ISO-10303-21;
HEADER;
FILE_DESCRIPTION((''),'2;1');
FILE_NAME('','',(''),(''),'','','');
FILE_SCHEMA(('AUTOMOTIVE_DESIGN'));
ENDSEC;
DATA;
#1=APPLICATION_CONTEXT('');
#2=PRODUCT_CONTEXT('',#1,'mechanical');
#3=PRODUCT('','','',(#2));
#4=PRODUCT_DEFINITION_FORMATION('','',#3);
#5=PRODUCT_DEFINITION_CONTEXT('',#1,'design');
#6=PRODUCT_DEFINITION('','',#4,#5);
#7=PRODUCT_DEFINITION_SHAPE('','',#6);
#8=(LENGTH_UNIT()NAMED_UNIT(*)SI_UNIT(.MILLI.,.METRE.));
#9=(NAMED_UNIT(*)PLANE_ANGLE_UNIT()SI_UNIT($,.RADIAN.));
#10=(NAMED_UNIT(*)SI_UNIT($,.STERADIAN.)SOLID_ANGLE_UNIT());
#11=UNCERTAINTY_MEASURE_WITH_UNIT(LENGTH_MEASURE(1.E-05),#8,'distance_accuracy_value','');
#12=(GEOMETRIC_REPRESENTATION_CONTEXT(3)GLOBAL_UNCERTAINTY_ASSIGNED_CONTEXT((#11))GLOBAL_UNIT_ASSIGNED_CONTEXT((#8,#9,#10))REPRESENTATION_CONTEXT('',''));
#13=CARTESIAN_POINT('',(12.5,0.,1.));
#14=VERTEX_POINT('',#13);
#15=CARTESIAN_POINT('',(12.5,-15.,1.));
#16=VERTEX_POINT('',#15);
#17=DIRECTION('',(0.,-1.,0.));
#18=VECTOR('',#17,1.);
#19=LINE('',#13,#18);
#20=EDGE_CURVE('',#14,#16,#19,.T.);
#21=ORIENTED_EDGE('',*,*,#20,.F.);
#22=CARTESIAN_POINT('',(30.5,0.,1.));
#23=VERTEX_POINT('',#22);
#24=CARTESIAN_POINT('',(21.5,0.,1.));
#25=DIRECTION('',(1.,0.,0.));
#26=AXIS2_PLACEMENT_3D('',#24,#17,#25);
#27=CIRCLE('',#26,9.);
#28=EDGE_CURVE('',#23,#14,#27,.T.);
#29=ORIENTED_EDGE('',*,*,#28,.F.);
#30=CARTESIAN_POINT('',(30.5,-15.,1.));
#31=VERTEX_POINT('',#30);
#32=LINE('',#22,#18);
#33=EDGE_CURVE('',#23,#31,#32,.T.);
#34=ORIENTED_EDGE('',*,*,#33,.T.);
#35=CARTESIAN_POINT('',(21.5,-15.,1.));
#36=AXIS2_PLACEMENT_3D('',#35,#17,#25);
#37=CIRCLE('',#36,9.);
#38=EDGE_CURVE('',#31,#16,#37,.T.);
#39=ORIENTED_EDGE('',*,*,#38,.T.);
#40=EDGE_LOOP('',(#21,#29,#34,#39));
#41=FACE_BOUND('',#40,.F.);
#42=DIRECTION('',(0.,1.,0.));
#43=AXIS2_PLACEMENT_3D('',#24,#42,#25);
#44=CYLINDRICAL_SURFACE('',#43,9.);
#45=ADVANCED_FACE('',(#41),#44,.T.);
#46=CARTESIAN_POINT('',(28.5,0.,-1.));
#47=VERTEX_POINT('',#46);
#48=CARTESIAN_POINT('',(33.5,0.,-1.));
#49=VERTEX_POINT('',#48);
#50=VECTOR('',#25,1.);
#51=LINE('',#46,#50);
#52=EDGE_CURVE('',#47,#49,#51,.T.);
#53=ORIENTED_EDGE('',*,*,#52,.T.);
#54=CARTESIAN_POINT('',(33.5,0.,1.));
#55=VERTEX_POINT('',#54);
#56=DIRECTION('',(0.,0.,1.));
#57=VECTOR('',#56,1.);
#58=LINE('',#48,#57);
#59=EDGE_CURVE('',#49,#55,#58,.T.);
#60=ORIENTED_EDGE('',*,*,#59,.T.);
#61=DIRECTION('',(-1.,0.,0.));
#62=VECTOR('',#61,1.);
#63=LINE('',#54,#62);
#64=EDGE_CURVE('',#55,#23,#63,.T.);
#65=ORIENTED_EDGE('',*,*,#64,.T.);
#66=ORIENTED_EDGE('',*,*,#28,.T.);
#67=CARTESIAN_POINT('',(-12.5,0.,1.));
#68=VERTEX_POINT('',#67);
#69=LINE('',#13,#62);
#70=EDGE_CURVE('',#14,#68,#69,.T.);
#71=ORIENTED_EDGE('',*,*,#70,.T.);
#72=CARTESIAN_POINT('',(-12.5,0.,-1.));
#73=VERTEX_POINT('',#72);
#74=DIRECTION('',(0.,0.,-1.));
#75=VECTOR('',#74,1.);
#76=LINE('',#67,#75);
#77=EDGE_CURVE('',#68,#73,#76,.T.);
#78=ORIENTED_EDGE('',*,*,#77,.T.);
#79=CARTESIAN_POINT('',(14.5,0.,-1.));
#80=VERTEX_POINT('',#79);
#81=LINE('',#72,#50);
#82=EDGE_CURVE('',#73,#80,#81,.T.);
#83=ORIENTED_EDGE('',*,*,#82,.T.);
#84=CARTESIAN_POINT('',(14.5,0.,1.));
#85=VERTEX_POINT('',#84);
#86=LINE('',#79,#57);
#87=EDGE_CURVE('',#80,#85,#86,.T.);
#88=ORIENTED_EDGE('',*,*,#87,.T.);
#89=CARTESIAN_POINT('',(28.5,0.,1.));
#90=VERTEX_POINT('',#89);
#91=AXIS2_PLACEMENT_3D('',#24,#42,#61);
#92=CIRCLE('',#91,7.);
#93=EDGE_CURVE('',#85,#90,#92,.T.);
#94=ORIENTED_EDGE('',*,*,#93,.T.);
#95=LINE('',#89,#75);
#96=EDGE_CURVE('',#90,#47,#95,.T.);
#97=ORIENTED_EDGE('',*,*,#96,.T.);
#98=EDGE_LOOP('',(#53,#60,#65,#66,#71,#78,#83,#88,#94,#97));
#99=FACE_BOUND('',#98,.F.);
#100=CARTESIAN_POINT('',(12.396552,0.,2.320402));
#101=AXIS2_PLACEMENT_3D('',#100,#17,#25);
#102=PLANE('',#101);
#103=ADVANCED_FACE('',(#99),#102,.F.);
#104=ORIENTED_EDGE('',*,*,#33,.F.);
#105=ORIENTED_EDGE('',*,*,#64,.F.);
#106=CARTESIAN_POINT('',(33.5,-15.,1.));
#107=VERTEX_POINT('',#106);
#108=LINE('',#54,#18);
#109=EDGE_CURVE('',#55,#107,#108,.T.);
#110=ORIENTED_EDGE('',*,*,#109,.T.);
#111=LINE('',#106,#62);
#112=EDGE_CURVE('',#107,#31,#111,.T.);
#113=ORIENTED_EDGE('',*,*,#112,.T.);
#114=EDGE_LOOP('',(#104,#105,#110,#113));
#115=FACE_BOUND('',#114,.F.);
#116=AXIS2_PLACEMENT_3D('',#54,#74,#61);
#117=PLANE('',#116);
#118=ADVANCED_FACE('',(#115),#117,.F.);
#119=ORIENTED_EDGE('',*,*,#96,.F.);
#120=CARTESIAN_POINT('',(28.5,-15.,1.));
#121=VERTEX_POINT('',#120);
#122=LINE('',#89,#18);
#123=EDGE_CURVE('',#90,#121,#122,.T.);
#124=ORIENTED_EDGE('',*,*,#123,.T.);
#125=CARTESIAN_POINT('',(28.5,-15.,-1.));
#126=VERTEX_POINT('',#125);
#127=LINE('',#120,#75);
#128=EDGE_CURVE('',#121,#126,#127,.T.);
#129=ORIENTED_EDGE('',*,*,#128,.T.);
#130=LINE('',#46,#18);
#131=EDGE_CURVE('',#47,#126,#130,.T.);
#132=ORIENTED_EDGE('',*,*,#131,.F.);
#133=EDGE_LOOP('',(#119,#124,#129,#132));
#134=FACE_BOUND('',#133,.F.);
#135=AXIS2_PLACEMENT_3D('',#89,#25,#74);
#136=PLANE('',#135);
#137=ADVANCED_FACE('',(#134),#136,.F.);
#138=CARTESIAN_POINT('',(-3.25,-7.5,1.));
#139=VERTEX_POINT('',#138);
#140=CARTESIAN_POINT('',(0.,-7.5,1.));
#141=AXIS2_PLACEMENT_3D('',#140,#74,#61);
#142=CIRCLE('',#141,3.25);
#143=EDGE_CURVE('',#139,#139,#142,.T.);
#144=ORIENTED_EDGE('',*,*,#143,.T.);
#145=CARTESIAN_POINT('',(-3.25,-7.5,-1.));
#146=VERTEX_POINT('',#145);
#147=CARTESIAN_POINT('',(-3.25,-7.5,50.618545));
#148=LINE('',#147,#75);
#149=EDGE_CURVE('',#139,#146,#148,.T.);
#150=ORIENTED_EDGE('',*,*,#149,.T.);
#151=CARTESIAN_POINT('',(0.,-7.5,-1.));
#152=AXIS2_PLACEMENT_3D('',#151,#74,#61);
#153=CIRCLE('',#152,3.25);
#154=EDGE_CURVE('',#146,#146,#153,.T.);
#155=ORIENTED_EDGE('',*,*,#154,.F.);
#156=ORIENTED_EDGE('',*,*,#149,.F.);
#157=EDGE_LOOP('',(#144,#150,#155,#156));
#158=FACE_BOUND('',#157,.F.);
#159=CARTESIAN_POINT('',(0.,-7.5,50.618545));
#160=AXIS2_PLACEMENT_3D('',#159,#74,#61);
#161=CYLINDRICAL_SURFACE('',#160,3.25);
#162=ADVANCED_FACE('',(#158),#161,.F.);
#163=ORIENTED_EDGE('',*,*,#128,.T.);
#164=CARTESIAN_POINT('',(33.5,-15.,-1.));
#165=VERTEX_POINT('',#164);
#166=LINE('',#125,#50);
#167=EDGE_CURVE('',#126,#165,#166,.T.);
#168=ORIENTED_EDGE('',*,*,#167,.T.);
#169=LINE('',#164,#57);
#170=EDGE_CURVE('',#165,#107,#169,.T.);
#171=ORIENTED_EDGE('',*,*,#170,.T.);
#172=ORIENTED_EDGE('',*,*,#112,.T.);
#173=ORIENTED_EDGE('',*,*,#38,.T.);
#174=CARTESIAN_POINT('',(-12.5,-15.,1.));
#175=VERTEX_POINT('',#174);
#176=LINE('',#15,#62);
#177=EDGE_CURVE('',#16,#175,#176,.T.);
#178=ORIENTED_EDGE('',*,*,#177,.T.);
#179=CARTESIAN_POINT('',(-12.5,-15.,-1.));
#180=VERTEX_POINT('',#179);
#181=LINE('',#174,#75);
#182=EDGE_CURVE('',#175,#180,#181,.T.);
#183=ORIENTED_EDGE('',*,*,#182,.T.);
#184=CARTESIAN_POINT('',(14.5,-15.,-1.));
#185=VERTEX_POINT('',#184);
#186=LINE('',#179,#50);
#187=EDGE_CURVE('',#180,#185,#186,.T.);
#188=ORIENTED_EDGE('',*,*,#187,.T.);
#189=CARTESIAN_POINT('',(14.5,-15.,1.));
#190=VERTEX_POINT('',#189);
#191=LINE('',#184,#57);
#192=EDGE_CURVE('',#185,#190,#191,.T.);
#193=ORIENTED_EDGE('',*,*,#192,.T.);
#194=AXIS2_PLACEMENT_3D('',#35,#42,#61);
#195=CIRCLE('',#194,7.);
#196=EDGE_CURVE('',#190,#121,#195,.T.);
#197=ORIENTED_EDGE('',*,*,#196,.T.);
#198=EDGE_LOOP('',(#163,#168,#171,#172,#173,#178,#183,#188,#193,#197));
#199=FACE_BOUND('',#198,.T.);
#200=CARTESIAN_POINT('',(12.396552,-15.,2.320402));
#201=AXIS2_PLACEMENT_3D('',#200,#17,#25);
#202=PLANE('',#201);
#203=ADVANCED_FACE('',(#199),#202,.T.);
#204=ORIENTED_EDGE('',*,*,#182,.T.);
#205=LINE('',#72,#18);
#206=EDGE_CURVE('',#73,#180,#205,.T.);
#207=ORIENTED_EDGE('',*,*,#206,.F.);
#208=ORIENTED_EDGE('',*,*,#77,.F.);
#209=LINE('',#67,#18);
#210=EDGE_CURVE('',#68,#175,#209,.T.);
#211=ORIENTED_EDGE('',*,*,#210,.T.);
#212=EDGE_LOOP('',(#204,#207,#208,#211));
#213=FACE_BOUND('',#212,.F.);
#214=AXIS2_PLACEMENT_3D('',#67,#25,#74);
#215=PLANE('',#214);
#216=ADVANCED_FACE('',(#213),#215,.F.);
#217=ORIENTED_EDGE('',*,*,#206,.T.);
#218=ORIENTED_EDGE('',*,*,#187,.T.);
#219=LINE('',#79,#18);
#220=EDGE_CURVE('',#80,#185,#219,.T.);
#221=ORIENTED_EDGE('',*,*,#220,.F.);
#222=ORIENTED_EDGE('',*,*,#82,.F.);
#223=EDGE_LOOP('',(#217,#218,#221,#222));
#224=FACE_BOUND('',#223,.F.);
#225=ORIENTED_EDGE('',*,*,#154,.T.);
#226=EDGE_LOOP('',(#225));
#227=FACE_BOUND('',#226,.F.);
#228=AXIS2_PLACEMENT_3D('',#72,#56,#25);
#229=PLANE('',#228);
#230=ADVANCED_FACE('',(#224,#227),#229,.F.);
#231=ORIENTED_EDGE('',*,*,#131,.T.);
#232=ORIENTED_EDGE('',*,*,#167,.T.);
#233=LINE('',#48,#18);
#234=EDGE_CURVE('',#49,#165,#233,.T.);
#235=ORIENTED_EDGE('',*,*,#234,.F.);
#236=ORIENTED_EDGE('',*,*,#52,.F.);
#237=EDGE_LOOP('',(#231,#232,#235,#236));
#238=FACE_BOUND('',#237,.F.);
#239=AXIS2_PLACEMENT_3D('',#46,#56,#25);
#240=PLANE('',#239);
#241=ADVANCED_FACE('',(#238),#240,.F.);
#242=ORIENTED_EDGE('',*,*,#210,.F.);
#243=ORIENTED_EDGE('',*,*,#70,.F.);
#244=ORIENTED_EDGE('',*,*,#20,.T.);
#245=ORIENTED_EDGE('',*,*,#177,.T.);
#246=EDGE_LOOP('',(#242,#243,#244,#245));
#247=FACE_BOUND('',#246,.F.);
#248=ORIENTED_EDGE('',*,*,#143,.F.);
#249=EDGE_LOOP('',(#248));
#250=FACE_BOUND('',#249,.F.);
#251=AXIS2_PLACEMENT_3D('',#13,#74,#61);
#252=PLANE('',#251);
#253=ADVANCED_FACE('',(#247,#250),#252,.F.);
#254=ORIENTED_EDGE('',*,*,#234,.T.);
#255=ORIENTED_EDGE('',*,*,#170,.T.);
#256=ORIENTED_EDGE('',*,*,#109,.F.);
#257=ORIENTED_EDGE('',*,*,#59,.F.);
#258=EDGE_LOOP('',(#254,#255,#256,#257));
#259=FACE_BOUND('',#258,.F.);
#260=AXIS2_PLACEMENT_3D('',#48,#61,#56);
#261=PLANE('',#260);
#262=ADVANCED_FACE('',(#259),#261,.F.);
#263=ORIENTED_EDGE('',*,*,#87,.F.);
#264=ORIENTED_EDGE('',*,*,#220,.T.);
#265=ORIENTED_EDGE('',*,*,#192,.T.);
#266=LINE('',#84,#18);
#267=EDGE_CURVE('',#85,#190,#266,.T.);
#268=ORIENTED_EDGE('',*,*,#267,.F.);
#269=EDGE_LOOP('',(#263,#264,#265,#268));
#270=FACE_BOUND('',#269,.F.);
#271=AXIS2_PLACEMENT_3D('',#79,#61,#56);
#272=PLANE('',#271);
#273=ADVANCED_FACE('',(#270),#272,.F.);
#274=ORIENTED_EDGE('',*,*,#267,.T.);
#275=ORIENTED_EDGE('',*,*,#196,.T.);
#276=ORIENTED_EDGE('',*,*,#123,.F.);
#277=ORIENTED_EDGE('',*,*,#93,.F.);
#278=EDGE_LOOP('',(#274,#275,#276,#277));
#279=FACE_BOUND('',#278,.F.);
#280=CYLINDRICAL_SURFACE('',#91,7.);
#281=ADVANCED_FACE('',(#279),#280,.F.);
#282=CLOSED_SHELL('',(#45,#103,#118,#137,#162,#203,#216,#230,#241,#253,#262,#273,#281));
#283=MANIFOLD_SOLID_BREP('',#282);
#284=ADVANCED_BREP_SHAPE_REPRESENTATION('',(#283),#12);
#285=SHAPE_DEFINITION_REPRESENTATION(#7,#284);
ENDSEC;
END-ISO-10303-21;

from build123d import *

# Parameters (mm, degrees)
F1_DEPTH = 15
F3_D     = 6.5


with BuildPart() as f1:
    # F0 (on Front) → F1 (new body)
    with BuildSketch(Plane.XZ):
        with BuildLine():
            Line((12.5, 1), (-12.5, 1))
            Line((-12.5, 1), (-12.5, -1))
            Line((-12.5, -1), (12.5, -1))
            Line((12.5, -1), (14.5, -1))
            Line((14.5, -1), (14.5, 1))
            ThreePointArc((14.5, 1), (21.5, 8), (28.5, 1))
            Line((28.5, 1), (28.5, -1))
            Line((28.5, -1), (33.5, -1))
            Line((33.5, -1), (33.5, 1))
            Line((33.5, 1), (30.5, 1))
            ThreePointArc((30.5, 1), (21.5, 10), (12.5, 1))
        make_face()
    extrude(amount=F1_DEPTH)

    # F3 (through all)
    with Locations(Plane.XY.offset(1)):
        with Locations((0, -7.5)):
            Hole(F3_D / 2)


solid = f1.part
